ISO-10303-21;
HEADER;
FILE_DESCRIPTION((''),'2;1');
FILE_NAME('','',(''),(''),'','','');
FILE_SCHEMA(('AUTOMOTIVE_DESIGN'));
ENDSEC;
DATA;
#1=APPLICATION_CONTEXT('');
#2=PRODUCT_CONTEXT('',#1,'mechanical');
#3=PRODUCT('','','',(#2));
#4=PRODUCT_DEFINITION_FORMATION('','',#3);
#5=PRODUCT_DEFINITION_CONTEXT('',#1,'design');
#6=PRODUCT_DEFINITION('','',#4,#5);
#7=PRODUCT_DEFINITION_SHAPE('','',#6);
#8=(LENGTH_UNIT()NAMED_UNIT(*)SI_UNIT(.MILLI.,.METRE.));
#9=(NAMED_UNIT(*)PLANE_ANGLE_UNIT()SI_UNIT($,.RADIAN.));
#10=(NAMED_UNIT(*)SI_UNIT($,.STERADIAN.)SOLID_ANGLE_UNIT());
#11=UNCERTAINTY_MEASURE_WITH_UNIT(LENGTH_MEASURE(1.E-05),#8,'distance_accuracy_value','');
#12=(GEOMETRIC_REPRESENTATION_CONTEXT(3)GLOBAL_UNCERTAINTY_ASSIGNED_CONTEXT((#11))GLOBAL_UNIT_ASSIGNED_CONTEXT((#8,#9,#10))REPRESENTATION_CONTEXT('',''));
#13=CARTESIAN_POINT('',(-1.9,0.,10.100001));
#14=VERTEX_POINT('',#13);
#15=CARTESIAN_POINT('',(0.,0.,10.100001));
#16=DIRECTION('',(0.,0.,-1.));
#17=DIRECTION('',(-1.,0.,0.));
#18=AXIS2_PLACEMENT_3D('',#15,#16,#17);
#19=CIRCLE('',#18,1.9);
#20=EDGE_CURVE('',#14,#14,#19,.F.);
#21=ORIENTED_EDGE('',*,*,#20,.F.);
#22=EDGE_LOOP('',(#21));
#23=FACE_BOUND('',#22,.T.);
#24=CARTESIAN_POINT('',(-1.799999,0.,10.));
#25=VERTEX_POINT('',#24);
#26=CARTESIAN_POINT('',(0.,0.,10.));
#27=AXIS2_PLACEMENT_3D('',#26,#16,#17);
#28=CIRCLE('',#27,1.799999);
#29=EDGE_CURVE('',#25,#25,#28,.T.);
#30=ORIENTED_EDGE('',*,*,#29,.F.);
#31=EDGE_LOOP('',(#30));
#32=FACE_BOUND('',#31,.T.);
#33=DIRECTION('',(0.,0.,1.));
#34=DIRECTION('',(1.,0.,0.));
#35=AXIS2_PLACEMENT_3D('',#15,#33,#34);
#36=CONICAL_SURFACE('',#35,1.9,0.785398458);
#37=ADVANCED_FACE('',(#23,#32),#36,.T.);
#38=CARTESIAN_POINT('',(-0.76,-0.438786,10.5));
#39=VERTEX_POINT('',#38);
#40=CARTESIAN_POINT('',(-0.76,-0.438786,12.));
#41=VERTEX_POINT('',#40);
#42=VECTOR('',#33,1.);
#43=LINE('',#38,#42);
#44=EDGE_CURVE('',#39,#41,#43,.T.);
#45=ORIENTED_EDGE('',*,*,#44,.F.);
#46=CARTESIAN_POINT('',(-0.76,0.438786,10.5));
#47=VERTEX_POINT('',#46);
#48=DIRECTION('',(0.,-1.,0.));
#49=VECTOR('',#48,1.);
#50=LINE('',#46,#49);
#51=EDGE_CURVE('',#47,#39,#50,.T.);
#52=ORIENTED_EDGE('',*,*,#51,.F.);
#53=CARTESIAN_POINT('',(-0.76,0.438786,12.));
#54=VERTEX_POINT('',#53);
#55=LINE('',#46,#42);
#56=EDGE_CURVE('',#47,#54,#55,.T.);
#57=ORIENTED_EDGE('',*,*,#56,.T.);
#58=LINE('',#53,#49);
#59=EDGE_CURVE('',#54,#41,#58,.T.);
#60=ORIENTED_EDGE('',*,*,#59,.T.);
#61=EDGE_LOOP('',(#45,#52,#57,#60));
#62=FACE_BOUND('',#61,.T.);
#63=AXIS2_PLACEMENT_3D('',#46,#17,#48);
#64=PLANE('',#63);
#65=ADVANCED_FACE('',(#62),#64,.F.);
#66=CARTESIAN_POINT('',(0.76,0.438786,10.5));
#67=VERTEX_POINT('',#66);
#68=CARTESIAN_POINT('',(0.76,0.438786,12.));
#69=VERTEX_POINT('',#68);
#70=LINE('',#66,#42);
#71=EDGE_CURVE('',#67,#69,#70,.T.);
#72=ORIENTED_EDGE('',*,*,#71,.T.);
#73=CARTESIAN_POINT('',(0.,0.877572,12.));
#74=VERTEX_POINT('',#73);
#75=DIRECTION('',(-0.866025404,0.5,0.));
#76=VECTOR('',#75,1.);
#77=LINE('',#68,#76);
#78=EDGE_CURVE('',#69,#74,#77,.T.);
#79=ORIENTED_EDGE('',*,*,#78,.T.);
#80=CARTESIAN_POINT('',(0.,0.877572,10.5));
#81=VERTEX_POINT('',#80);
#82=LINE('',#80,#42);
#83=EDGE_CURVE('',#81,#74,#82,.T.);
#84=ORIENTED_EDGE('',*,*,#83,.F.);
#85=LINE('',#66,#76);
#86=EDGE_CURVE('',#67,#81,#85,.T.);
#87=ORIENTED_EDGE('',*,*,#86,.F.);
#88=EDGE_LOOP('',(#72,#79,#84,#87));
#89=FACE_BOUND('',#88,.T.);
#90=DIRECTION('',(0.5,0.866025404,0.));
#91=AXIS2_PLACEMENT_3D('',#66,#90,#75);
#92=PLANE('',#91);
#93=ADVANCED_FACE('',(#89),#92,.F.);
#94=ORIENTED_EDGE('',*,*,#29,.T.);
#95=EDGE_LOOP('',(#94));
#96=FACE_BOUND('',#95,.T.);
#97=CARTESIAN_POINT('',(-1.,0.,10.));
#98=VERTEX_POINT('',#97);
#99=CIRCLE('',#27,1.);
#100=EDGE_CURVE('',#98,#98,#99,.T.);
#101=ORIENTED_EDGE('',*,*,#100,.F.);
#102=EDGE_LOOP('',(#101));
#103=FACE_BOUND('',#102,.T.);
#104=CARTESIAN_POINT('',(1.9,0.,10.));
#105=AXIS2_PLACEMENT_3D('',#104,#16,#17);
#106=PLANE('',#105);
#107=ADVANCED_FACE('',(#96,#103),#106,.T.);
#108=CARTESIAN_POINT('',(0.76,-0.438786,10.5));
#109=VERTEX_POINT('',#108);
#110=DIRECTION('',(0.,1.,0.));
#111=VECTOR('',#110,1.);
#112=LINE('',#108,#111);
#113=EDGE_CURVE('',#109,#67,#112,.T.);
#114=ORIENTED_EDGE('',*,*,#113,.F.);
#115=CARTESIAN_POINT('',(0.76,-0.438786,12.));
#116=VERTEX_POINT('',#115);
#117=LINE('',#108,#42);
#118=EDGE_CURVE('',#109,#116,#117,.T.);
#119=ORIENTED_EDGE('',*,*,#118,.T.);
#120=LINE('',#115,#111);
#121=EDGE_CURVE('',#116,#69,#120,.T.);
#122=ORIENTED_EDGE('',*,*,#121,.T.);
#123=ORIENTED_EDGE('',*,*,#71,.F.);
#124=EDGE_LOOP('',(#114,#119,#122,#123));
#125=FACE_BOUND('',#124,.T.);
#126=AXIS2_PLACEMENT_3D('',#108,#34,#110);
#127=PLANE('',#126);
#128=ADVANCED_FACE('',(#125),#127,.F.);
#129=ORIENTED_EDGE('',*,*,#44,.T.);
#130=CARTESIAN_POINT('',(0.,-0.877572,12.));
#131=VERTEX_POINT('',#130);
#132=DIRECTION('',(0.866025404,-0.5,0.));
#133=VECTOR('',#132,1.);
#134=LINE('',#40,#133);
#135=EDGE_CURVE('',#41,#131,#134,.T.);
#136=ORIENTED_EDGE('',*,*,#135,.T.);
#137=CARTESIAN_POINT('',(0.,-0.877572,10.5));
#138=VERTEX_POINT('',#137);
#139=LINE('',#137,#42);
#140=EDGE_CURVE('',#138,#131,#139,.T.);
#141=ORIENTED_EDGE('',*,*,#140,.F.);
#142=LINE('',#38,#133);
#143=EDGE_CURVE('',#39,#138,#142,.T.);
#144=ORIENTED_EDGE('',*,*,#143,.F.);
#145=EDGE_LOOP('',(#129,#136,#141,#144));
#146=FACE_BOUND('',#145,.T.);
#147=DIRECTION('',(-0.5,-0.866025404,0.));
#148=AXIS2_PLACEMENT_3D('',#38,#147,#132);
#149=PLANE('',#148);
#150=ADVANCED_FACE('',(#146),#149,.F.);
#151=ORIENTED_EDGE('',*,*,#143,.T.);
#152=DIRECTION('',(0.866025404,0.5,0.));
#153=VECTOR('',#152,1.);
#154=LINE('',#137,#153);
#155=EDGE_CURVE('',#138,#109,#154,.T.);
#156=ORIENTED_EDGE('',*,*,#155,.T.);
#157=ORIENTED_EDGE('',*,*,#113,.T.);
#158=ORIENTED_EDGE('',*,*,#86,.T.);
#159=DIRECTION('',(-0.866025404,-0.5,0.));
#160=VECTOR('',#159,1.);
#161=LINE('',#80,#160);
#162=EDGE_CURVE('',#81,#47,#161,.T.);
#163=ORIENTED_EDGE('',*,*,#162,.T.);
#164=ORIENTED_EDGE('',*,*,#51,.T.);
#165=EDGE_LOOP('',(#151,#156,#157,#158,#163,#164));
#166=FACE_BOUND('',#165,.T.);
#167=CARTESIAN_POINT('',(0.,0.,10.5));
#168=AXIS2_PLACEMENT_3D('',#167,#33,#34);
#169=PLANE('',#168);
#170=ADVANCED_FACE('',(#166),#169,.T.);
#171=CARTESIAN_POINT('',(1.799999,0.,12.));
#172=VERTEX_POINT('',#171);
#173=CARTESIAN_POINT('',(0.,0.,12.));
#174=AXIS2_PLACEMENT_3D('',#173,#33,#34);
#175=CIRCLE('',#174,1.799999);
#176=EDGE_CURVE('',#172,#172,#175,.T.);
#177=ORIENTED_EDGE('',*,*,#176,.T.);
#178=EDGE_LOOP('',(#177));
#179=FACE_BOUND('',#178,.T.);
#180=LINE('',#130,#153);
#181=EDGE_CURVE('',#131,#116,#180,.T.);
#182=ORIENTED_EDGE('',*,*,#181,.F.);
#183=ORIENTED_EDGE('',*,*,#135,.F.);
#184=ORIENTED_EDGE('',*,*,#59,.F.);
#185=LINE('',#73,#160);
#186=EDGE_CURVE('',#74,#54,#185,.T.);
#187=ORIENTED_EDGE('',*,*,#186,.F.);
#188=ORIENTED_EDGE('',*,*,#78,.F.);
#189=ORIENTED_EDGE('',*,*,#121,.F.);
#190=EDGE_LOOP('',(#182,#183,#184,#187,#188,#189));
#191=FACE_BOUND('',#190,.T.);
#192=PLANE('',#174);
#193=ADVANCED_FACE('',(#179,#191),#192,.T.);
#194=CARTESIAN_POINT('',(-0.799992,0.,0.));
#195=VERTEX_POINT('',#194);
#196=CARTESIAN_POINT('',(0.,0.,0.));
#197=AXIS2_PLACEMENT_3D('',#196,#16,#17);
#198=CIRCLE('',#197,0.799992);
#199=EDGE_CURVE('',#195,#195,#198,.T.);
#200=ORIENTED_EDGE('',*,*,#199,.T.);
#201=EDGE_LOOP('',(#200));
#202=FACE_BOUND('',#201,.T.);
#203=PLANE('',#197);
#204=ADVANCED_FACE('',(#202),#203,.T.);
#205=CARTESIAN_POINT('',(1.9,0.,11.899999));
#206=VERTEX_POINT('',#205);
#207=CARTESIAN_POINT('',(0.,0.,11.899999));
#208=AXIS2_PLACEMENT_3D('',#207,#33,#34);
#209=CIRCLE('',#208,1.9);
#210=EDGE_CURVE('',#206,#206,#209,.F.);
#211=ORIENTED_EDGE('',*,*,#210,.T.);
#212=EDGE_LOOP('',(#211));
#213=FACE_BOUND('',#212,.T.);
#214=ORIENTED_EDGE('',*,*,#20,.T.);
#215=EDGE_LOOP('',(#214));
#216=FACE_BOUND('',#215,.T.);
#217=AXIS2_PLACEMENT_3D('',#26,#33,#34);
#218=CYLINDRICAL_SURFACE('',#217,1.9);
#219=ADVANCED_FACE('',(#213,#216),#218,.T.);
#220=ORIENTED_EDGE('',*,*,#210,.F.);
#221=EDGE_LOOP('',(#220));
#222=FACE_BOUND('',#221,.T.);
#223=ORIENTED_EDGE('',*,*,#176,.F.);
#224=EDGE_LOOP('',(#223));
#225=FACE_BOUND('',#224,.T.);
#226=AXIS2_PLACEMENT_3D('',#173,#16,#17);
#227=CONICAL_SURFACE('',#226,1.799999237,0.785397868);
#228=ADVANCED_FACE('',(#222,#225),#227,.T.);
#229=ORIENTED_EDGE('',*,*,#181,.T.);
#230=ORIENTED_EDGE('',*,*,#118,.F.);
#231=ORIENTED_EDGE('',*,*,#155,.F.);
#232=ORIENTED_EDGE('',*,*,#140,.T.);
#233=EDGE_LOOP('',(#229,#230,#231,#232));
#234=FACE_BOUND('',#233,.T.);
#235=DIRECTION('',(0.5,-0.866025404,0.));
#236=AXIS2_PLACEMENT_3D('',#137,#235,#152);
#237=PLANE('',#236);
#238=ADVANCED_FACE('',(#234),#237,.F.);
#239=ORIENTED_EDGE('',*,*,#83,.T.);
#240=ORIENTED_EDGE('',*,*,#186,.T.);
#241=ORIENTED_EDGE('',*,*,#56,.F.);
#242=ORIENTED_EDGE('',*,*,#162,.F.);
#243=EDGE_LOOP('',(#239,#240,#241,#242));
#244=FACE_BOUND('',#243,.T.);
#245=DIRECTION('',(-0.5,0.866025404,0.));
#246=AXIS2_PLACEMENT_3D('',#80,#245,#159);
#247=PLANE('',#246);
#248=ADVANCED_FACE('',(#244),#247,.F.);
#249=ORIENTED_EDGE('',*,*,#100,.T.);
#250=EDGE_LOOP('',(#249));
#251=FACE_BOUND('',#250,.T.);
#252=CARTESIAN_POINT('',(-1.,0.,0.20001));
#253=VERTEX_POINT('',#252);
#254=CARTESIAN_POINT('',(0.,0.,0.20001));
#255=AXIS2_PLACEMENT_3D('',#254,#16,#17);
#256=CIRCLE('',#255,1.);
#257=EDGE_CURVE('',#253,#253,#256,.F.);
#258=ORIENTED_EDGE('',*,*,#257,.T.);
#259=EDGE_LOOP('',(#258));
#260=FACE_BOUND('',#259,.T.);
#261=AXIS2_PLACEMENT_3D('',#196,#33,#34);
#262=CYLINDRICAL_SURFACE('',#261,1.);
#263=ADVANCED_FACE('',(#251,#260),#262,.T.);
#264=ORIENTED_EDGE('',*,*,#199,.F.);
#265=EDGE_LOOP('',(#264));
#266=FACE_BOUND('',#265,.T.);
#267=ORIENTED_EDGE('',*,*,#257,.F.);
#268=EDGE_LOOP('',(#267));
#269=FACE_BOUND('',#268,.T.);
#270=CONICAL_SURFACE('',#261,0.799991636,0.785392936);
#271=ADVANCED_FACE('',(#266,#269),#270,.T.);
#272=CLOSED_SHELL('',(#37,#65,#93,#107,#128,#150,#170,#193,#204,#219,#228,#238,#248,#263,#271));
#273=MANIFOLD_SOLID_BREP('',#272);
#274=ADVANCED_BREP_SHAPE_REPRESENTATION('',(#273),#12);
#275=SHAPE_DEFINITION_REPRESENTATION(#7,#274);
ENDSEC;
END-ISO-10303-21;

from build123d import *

# Parameters (mm, degrees)
SKETCH_1_W          = 1.9
SKETCH_1_H          = 2
SKETCH_2_R          = 1
EXTRUDE_1_DEPTH     = 10
CUT_EXTRUDE_1_DEPTH = 1.5
CHAMFER_1_SIZE2     = 0.100000822
CHAMFER_1_SIZE      = 0.100000763
CHAMFER_2_SIZE      = 0.200008364
CHAMFER_2_SIZE2     = 0.200010455


with BuildPart() as part:
    # 草图1 → 旋转1 (revolve)
    with BuildSketch(Plane(origin=(0, 0, 0), x_dir=(1, 0, 0), z_dir=(0, 1, 0))):
        with Locations((0.95, -11)):
            Rectangle(SKETCH_1_W, SKETCH_1_H)
    revolve(axis=Axis((0, 0, 10), (0, 0, 1)))

    # 草图2 → 凸台-拉伸1 (add)
    with BuildSketch(Plane(origin=(0, 0, 10), x_dir=(-1, 0, 0), z_dir=(0, 0, -1))):
        Circle(SKETCH_2_R)
    extrude(amount=EXTRUDE_1_DEPTH)

    # 草图3 → 切除-拉伸1 (cut)
    with BuildSketch(Plane.XY.offset(12)):
        Polygon((-0.76, -0.438786205), (0, -0.877572409), (0.76, -0.438786205), (0.76, 0.438786205), (0, 0.877572409), (-0.76, 0.438786205), align=None)
    extrude(amount=-CUT_EXTRUDE_1_DEPTH, mode=Mode.SUBTRACT)

    # 倒角1
    chamfer_1_edges = [part.edges().sort_by_distance(p)[0] for p in [
        (-1.9, 0, 12),
        (-1.9, 0, 10),
    ]]
    chamfer(chamfer_1_edges, length=CHAMFER_1_SIZE, length2=CHAMFER_1_SIZE2)

    # 倒角2
    chamfer_2_edges = [part.edges().sort_by_distance(p)[0] for p in [
        (1, 0, 0),
    ]]
    chamfer_2_side = [part.faces().sort_by_distance(p)[0] for p in [
        (1, 0, 5),
    ]]
    chamfer(chamfer_2_edges, length=CHAMFER_2_SIZE, length2=CHAMFER_2_SIZE2, reference=chamfer_2_side[0])


solid = part.part
